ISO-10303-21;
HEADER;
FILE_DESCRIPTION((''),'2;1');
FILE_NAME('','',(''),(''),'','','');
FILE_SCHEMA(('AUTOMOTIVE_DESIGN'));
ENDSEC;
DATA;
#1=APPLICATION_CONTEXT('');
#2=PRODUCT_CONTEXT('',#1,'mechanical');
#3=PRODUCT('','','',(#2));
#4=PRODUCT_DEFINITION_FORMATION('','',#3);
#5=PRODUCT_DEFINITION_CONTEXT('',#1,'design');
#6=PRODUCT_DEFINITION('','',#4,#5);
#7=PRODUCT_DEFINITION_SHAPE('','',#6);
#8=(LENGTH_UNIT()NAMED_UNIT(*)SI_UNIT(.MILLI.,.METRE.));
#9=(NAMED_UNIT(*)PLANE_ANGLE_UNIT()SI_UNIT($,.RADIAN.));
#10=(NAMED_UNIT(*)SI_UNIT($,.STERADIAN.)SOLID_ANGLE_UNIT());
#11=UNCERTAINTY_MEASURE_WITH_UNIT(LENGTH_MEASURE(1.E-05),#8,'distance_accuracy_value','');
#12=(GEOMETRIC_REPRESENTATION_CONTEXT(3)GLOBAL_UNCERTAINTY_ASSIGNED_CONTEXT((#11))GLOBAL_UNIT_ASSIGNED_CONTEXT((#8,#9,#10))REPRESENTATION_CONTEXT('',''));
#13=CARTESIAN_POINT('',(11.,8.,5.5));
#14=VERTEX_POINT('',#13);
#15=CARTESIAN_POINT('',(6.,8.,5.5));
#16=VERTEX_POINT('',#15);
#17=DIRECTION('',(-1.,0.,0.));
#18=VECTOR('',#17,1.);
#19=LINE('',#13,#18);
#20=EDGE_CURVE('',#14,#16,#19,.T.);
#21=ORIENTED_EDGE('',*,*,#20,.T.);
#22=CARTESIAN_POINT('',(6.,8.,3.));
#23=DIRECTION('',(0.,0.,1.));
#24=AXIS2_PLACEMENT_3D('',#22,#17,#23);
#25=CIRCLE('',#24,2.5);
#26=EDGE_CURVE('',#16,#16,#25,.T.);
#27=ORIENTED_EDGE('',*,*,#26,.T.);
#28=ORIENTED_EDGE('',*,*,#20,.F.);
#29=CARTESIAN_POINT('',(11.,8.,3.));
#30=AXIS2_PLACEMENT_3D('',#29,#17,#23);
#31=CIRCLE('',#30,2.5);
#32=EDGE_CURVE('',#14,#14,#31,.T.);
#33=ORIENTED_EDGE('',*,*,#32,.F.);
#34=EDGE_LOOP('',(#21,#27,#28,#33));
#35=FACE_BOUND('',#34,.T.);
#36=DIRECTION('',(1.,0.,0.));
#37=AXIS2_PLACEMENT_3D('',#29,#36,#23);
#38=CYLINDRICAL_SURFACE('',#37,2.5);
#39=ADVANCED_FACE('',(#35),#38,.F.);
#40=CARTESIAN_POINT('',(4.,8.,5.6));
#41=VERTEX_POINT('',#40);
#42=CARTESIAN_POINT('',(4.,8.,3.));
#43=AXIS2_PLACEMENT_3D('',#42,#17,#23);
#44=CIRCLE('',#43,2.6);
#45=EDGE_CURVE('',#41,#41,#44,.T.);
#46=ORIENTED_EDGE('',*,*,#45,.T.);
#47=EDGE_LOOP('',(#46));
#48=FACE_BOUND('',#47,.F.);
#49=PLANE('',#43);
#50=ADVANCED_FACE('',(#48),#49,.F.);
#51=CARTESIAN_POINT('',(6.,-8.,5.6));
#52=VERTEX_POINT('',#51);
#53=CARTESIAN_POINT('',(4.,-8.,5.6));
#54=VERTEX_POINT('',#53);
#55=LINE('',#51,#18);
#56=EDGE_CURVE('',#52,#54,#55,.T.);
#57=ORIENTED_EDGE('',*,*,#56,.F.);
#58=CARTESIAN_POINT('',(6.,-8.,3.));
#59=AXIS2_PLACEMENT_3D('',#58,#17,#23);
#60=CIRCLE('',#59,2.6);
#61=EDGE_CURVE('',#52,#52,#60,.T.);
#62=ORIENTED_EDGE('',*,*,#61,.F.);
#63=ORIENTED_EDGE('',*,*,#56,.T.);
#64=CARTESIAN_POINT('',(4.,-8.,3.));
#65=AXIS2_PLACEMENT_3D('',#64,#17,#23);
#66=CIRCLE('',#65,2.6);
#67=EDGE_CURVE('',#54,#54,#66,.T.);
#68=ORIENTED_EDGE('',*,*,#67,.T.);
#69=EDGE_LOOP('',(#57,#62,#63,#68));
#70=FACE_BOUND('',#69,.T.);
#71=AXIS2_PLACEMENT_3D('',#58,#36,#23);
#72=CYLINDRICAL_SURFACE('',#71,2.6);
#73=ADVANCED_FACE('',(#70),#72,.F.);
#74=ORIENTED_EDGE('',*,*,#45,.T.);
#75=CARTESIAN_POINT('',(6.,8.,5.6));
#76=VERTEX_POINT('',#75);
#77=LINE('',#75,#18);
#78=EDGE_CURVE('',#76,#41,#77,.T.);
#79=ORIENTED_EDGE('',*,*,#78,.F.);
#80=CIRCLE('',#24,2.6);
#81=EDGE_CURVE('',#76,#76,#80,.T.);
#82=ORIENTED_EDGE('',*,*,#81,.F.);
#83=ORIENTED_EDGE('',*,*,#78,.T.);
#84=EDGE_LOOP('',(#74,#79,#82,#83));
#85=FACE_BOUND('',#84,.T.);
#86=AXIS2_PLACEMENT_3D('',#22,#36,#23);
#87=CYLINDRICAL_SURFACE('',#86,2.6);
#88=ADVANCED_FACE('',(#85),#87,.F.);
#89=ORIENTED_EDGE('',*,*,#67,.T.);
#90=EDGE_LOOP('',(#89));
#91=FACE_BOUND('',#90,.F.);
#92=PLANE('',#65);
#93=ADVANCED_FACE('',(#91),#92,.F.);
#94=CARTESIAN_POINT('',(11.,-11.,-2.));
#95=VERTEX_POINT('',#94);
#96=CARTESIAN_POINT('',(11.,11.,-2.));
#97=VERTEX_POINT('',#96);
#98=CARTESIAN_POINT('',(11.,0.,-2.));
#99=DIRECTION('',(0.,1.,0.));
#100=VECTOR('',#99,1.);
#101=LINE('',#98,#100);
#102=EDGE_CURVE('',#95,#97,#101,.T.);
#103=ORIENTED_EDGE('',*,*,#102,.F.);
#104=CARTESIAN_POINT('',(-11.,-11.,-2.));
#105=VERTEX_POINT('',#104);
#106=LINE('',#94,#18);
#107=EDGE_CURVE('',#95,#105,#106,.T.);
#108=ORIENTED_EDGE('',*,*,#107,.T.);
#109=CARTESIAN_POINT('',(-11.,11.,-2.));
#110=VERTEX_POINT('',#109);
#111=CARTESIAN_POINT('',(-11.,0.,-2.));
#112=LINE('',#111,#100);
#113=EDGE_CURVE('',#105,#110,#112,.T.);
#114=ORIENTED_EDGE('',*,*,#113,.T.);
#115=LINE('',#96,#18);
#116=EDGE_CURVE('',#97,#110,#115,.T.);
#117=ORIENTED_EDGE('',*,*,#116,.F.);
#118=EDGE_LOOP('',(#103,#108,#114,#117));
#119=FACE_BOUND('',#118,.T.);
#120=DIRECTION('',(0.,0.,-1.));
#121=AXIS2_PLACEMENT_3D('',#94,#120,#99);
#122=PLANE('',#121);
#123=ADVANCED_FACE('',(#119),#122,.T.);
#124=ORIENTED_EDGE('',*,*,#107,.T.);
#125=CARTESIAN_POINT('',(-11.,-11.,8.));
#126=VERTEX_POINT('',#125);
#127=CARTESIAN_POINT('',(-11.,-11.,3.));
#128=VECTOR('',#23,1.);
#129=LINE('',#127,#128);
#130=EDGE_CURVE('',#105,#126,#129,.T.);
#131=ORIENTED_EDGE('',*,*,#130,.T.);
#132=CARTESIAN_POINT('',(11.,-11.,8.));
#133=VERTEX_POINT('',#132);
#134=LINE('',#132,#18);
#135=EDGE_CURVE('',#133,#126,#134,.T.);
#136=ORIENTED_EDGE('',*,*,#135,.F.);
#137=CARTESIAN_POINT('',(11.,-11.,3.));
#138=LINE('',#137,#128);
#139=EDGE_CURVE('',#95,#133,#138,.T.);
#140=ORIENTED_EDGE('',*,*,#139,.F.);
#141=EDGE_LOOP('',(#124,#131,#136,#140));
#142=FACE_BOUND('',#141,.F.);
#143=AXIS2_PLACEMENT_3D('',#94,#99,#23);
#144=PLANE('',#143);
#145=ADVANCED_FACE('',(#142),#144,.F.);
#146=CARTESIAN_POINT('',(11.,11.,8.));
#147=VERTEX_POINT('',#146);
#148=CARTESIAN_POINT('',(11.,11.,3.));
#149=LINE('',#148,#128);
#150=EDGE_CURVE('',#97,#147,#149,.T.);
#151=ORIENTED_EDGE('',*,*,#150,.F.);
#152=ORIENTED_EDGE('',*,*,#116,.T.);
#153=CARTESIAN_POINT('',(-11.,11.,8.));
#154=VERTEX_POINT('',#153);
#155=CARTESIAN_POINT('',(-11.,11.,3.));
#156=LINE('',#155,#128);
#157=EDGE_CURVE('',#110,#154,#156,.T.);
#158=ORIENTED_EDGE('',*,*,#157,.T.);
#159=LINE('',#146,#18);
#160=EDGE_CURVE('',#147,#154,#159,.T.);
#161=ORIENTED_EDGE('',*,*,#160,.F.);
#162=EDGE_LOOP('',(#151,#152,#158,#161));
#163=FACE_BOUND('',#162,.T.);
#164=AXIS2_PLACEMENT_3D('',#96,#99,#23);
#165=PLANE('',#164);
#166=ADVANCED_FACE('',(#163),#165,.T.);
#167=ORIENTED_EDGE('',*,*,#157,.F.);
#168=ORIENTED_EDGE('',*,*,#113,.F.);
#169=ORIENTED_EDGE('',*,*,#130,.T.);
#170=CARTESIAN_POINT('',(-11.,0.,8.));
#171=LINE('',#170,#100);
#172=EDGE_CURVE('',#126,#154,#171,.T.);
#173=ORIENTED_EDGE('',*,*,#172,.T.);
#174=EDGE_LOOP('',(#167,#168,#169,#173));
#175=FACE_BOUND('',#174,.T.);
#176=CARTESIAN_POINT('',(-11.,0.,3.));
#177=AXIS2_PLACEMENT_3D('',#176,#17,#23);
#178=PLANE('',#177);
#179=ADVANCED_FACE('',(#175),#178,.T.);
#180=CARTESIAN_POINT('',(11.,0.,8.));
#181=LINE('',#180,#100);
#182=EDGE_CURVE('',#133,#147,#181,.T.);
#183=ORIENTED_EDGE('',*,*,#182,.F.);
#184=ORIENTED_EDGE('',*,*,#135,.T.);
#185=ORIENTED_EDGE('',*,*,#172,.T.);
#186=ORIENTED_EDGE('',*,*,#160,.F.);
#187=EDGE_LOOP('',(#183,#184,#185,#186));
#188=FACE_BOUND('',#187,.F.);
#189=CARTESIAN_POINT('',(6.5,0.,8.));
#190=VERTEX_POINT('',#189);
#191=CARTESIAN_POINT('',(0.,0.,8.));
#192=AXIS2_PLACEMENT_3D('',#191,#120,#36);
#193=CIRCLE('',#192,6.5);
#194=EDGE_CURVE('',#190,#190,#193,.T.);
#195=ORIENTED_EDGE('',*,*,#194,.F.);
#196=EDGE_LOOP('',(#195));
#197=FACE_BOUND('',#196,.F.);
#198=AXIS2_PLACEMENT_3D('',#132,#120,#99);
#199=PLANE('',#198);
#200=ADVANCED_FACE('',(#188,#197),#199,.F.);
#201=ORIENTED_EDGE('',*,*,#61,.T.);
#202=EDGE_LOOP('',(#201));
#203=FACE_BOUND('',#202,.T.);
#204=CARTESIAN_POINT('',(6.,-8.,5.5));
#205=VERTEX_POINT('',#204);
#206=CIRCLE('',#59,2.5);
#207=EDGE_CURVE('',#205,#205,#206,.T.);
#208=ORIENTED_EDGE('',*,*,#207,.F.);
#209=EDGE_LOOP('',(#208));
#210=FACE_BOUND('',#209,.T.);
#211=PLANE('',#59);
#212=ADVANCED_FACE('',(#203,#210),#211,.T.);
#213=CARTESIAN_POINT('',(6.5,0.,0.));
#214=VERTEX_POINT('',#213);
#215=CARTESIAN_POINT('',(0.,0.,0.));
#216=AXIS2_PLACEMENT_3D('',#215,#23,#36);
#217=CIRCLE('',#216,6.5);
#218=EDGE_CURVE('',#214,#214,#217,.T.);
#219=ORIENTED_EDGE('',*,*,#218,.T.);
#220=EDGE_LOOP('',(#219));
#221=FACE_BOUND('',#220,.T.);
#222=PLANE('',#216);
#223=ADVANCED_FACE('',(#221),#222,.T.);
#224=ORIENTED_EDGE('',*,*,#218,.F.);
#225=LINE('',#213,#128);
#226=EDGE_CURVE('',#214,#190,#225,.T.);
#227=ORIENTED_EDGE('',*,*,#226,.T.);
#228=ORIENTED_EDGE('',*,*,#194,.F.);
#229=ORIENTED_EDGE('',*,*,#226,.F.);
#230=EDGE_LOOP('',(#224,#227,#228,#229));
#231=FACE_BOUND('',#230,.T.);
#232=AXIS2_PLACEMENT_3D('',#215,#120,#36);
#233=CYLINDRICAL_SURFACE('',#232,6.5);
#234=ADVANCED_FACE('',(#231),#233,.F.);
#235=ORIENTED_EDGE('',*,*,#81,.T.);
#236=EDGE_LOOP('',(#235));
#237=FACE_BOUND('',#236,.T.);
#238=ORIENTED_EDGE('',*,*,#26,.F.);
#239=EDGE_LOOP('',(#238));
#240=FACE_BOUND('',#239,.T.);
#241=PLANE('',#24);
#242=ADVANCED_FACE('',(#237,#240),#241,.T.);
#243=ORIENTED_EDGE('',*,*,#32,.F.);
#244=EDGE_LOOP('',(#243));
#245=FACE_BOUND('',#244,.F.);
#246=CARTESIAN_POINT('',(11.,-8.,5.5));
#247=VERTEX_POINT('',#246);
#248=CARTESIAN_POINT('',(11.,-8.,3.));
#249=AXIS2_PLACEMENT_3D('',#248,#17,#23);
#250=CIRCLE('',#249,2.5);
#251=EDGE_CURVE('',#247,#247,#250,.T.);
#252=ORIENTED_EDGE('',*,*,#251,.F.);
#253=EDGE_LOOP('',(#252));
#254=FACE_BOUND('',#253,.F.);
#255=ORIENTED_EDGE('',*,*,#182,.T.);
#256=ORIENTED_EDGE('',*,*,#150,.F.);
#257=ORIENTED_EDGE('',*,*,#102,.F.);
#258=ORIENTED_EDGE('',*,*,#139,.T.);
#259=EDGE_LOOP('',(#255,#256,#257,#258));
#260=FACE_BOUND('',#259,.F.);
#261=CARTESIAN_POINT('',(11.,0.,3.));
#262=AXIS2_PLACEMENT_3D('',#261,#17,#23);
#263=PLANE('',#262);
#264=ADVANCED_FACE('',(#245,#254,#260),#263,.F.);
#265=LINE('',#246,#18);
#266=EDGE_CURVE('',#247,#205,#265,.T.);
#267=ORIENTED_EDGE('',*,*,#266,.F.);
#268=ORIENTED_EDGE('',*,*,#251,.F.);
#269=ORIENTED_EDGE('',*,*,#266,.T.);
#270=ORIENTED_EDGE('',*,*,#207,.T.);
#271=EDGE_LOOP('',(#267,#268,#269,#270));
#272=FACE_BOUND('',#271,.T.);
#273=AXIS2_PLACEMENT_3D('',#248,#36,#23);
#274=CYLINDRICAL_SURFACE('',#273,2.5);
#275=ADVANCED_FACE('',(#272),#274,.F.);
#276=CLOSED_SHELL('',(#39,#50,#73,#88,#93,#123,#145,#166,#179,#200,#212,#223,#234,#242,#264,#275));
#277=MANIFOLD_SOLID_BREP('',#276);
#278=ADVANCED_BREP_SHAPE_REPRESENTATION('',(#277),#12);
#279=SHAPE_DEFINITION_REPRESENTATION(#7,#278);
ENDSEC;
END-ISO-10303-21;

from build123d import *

# Parameters (mm, degrees)
CYLINDER095_R          = 2.6
CYLINDER095_DEPTH      = 2
CYLINDER096_R          = 2.5
CYLINDER096_DEPTH      = 5
CYLINDER094_R          = 6.5
CYLINDER094_DEPTH      = 130
CYLINDER098_R          = 2.6
CYLINDER098_DEPTH      = 2
CYLINDER097_R          = 2.5
CYLINDER097_DEPTH      = 5
BOX026_W               = 10
BOX026_H               = 22
BOX026_DEPTH           = 22
CUT053_PLACEMENT_ANGLE = 90


with BuildPart() as cilindro095:
    # Cylinder095 → Cylinder095 (new body)
    with BuildSketch(Plane.XY.offset(5)):
        Circle(CYLINDER095_R)
    extrude(amount=CYLINDER095_DEPTH)


with BuildPart() as enganche_lego009:
    # Cylinder096 → Cylinder096 (new body)
    with BuildSketch(Plane.XY):
        Circle(CYLINDER096_R)
    extrude(amount=CYLINDER096_DEPTH)

    # Fusion036: union Cilindro095
    add(cilindro095.part)


with BuildPart() as enganche_lego009_1:
    # Fusion036 placement: moved
    add(enganche_lego009.part.moved(Location((3, 8, -11))))


with BuildPart() as cilindro094:
    # Cylinder094 → Cylinder094 (new body)
    with BuildSketch(Plane(origin=(0, 0, 0), x_dir=(0, 0, -1), z_dir=(1, 0, 0))):
        Circle(CYLINDER094_R)
    extrude(amount=CYLINDER094_DEPTH)


with BuildPart() as cilindro098:
    # Cylinder098 → Cylinder098 (new body)
    with BuildSketch(Plane.XY.offset(5)):
        Circle(CYLINDER098_R)
    extrude(amount=CYLINDER098_DEPTH)


with BuildPart() as fusion038:
    # Cylinder097 → Cylinder097 (new body)
    with BuildSketch(Plane.XY):
        Circle(CYLINDER097_R)
    extrude(amount=CYLINDER097_DEPTH)

    # Fusion037: union Cilindro098
    add(cilindro098.part)


with BuildPart() as fusion038_1:
    # Fusion037 placement: moved
    add(fusion038.part.moved(Location((3, -8, -11))))

    # Fusion038: union enganche_lego009, Cilindro094
    add(enganche_lego009_1.part)
    add(cilindro094.part)


with BuildPart() as lim_barra_pieza:
    # Box026 → Box026 (new body)
    with BuildSketch(Plane(origin=(-2, -11, -11), x_dir=(1, 0, 0), z_dir=(0, 0, 1))):
        with Locations((5, 11)):
            Rectangle(BOX026_W, BOX026_H)
    extrude(amount=BOX026_DEPTH)

    # Cut053: cut Fusion038
    add(fusion038_1.part, mode=Mode.SUBTRACT)


with BuildPart() as lim_barra_pieza_1:
    # Cut053 placement: moved
    add(lim_barra_pieza.part.rotate(Axis((0, 0, 0), (0, -1, 0)), CUT053_PLACEMENT_ANGLE))


solid = lim_barra_pieza_1.part
